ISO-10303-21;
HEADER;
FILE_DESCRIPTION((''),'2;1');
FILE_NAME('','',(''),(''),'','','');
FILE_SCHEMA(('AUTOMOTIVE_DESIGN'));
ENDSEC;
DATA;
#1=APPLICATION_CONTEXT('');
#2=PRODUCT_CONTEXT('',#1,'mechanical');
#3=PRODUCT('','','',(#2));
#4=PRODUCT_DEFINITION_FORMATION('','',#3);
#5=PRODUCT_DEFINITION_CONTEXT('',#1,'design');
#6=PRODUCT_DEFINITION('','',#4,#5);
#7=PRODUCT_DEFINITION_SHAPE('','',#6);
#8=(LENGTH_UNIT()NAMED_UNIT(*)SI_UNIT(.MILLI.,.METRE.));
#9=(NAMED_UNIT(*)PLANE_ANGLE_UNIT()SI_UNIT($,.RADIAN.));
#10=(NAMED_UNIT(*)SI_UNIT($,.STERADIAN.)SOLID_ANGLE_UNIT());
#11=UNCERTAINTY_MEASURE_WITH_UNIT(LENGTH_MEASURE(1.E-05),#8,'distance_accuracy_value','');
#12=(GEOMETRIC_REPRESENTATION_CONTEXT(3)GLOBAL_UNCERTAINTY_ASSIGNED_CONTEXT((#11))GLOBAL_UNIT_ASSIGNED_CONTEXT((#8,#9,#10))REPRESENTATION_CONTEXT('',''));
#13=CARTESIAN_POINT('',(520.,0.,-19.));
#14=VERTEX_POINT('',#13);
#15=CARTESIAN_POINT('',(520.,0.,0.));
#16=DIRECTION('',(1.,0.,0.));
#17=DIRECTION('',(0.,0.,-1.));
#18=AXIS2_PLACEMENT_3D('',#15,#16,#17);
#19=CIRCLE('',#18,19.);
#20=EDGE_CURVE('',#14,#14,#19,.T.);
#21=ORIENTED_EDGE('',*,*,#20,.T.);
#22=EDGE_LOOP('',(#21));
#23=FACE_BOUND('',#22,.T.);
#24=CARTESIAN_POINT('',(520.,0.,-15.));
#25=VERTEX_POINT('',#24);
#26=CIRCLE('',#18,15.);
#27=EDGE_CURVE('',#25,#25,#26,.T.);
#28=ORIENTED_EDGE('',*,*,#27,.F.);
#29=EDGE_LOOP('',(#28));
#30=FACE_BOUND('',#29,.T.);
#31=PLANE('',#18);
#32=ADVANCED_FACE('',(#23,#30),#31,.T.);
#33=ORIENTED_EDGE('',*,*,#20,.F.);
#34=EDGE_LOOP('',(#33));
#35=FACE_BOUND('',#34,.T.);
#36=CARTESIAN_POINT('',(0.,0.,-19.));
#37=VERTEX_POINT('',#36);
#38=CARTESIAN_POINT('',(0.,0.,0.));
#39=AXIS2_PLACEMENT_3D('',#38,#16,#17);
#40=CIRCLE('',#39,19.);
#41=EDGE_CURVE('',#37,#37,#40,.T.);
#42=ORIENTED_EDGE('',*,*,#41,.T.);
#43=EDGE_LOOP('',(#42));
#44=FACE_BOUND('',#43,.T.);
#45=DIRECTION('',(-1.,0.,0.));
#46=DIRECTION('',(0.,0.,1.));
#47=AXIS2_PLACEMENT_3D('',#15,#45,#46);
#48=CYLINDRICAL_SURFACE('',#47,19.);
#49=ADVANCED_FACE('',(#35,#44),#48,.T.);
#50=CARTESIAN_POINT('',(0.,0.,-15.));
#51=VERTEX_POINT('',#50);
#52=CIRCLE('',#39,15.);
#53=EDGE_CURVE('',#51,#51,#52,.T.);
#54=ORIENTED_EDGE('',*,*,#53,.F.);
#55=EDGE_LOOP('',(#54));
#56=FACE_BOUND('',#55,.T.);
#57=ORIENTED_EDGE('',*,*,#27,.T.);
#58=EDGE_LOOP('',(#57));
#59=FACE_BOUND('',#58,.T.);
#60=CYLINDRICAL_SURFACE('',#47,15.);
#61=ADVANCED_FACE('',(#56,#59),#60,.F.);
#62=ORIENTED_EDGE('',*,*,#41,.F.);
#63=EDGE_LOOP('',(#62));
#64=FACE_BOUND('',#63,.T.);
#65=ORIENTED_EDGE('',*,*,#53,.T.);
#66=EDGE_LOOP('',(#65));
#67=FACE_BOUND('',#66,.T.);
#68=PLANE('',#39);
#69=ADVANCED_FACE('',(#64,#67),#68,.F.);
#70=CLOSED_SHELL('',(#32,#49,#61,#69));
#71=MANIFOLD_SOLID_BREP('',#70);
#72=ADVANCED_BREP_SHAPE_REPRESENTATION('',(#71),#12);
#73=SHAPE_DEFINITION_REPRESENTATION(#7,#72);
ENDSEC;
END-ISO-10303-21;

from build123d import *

# Parameters (mm, degrees)
CROQUIS1_R              = 19
CROQUIS1_R_2            = 15
SALIENTE_EXTRUIR1_DEPTH = 520


with BuildPart() as part:
    # Croquis1 → Saliente-Extruir1 (new body)
    with BuildSketch(Plane(origin=(0, 0, 0), x_dir=(0, 0, -1), z_dir=(1, 0, 0))):
        Circle(CROQUIS1_R)
        Circle(CROQUIS1_R_2, mode=Mode.SUBTRACT)
    extrude(amount=SALIENTE_EXTRUIR1_DEPTH)


solid = part.part
